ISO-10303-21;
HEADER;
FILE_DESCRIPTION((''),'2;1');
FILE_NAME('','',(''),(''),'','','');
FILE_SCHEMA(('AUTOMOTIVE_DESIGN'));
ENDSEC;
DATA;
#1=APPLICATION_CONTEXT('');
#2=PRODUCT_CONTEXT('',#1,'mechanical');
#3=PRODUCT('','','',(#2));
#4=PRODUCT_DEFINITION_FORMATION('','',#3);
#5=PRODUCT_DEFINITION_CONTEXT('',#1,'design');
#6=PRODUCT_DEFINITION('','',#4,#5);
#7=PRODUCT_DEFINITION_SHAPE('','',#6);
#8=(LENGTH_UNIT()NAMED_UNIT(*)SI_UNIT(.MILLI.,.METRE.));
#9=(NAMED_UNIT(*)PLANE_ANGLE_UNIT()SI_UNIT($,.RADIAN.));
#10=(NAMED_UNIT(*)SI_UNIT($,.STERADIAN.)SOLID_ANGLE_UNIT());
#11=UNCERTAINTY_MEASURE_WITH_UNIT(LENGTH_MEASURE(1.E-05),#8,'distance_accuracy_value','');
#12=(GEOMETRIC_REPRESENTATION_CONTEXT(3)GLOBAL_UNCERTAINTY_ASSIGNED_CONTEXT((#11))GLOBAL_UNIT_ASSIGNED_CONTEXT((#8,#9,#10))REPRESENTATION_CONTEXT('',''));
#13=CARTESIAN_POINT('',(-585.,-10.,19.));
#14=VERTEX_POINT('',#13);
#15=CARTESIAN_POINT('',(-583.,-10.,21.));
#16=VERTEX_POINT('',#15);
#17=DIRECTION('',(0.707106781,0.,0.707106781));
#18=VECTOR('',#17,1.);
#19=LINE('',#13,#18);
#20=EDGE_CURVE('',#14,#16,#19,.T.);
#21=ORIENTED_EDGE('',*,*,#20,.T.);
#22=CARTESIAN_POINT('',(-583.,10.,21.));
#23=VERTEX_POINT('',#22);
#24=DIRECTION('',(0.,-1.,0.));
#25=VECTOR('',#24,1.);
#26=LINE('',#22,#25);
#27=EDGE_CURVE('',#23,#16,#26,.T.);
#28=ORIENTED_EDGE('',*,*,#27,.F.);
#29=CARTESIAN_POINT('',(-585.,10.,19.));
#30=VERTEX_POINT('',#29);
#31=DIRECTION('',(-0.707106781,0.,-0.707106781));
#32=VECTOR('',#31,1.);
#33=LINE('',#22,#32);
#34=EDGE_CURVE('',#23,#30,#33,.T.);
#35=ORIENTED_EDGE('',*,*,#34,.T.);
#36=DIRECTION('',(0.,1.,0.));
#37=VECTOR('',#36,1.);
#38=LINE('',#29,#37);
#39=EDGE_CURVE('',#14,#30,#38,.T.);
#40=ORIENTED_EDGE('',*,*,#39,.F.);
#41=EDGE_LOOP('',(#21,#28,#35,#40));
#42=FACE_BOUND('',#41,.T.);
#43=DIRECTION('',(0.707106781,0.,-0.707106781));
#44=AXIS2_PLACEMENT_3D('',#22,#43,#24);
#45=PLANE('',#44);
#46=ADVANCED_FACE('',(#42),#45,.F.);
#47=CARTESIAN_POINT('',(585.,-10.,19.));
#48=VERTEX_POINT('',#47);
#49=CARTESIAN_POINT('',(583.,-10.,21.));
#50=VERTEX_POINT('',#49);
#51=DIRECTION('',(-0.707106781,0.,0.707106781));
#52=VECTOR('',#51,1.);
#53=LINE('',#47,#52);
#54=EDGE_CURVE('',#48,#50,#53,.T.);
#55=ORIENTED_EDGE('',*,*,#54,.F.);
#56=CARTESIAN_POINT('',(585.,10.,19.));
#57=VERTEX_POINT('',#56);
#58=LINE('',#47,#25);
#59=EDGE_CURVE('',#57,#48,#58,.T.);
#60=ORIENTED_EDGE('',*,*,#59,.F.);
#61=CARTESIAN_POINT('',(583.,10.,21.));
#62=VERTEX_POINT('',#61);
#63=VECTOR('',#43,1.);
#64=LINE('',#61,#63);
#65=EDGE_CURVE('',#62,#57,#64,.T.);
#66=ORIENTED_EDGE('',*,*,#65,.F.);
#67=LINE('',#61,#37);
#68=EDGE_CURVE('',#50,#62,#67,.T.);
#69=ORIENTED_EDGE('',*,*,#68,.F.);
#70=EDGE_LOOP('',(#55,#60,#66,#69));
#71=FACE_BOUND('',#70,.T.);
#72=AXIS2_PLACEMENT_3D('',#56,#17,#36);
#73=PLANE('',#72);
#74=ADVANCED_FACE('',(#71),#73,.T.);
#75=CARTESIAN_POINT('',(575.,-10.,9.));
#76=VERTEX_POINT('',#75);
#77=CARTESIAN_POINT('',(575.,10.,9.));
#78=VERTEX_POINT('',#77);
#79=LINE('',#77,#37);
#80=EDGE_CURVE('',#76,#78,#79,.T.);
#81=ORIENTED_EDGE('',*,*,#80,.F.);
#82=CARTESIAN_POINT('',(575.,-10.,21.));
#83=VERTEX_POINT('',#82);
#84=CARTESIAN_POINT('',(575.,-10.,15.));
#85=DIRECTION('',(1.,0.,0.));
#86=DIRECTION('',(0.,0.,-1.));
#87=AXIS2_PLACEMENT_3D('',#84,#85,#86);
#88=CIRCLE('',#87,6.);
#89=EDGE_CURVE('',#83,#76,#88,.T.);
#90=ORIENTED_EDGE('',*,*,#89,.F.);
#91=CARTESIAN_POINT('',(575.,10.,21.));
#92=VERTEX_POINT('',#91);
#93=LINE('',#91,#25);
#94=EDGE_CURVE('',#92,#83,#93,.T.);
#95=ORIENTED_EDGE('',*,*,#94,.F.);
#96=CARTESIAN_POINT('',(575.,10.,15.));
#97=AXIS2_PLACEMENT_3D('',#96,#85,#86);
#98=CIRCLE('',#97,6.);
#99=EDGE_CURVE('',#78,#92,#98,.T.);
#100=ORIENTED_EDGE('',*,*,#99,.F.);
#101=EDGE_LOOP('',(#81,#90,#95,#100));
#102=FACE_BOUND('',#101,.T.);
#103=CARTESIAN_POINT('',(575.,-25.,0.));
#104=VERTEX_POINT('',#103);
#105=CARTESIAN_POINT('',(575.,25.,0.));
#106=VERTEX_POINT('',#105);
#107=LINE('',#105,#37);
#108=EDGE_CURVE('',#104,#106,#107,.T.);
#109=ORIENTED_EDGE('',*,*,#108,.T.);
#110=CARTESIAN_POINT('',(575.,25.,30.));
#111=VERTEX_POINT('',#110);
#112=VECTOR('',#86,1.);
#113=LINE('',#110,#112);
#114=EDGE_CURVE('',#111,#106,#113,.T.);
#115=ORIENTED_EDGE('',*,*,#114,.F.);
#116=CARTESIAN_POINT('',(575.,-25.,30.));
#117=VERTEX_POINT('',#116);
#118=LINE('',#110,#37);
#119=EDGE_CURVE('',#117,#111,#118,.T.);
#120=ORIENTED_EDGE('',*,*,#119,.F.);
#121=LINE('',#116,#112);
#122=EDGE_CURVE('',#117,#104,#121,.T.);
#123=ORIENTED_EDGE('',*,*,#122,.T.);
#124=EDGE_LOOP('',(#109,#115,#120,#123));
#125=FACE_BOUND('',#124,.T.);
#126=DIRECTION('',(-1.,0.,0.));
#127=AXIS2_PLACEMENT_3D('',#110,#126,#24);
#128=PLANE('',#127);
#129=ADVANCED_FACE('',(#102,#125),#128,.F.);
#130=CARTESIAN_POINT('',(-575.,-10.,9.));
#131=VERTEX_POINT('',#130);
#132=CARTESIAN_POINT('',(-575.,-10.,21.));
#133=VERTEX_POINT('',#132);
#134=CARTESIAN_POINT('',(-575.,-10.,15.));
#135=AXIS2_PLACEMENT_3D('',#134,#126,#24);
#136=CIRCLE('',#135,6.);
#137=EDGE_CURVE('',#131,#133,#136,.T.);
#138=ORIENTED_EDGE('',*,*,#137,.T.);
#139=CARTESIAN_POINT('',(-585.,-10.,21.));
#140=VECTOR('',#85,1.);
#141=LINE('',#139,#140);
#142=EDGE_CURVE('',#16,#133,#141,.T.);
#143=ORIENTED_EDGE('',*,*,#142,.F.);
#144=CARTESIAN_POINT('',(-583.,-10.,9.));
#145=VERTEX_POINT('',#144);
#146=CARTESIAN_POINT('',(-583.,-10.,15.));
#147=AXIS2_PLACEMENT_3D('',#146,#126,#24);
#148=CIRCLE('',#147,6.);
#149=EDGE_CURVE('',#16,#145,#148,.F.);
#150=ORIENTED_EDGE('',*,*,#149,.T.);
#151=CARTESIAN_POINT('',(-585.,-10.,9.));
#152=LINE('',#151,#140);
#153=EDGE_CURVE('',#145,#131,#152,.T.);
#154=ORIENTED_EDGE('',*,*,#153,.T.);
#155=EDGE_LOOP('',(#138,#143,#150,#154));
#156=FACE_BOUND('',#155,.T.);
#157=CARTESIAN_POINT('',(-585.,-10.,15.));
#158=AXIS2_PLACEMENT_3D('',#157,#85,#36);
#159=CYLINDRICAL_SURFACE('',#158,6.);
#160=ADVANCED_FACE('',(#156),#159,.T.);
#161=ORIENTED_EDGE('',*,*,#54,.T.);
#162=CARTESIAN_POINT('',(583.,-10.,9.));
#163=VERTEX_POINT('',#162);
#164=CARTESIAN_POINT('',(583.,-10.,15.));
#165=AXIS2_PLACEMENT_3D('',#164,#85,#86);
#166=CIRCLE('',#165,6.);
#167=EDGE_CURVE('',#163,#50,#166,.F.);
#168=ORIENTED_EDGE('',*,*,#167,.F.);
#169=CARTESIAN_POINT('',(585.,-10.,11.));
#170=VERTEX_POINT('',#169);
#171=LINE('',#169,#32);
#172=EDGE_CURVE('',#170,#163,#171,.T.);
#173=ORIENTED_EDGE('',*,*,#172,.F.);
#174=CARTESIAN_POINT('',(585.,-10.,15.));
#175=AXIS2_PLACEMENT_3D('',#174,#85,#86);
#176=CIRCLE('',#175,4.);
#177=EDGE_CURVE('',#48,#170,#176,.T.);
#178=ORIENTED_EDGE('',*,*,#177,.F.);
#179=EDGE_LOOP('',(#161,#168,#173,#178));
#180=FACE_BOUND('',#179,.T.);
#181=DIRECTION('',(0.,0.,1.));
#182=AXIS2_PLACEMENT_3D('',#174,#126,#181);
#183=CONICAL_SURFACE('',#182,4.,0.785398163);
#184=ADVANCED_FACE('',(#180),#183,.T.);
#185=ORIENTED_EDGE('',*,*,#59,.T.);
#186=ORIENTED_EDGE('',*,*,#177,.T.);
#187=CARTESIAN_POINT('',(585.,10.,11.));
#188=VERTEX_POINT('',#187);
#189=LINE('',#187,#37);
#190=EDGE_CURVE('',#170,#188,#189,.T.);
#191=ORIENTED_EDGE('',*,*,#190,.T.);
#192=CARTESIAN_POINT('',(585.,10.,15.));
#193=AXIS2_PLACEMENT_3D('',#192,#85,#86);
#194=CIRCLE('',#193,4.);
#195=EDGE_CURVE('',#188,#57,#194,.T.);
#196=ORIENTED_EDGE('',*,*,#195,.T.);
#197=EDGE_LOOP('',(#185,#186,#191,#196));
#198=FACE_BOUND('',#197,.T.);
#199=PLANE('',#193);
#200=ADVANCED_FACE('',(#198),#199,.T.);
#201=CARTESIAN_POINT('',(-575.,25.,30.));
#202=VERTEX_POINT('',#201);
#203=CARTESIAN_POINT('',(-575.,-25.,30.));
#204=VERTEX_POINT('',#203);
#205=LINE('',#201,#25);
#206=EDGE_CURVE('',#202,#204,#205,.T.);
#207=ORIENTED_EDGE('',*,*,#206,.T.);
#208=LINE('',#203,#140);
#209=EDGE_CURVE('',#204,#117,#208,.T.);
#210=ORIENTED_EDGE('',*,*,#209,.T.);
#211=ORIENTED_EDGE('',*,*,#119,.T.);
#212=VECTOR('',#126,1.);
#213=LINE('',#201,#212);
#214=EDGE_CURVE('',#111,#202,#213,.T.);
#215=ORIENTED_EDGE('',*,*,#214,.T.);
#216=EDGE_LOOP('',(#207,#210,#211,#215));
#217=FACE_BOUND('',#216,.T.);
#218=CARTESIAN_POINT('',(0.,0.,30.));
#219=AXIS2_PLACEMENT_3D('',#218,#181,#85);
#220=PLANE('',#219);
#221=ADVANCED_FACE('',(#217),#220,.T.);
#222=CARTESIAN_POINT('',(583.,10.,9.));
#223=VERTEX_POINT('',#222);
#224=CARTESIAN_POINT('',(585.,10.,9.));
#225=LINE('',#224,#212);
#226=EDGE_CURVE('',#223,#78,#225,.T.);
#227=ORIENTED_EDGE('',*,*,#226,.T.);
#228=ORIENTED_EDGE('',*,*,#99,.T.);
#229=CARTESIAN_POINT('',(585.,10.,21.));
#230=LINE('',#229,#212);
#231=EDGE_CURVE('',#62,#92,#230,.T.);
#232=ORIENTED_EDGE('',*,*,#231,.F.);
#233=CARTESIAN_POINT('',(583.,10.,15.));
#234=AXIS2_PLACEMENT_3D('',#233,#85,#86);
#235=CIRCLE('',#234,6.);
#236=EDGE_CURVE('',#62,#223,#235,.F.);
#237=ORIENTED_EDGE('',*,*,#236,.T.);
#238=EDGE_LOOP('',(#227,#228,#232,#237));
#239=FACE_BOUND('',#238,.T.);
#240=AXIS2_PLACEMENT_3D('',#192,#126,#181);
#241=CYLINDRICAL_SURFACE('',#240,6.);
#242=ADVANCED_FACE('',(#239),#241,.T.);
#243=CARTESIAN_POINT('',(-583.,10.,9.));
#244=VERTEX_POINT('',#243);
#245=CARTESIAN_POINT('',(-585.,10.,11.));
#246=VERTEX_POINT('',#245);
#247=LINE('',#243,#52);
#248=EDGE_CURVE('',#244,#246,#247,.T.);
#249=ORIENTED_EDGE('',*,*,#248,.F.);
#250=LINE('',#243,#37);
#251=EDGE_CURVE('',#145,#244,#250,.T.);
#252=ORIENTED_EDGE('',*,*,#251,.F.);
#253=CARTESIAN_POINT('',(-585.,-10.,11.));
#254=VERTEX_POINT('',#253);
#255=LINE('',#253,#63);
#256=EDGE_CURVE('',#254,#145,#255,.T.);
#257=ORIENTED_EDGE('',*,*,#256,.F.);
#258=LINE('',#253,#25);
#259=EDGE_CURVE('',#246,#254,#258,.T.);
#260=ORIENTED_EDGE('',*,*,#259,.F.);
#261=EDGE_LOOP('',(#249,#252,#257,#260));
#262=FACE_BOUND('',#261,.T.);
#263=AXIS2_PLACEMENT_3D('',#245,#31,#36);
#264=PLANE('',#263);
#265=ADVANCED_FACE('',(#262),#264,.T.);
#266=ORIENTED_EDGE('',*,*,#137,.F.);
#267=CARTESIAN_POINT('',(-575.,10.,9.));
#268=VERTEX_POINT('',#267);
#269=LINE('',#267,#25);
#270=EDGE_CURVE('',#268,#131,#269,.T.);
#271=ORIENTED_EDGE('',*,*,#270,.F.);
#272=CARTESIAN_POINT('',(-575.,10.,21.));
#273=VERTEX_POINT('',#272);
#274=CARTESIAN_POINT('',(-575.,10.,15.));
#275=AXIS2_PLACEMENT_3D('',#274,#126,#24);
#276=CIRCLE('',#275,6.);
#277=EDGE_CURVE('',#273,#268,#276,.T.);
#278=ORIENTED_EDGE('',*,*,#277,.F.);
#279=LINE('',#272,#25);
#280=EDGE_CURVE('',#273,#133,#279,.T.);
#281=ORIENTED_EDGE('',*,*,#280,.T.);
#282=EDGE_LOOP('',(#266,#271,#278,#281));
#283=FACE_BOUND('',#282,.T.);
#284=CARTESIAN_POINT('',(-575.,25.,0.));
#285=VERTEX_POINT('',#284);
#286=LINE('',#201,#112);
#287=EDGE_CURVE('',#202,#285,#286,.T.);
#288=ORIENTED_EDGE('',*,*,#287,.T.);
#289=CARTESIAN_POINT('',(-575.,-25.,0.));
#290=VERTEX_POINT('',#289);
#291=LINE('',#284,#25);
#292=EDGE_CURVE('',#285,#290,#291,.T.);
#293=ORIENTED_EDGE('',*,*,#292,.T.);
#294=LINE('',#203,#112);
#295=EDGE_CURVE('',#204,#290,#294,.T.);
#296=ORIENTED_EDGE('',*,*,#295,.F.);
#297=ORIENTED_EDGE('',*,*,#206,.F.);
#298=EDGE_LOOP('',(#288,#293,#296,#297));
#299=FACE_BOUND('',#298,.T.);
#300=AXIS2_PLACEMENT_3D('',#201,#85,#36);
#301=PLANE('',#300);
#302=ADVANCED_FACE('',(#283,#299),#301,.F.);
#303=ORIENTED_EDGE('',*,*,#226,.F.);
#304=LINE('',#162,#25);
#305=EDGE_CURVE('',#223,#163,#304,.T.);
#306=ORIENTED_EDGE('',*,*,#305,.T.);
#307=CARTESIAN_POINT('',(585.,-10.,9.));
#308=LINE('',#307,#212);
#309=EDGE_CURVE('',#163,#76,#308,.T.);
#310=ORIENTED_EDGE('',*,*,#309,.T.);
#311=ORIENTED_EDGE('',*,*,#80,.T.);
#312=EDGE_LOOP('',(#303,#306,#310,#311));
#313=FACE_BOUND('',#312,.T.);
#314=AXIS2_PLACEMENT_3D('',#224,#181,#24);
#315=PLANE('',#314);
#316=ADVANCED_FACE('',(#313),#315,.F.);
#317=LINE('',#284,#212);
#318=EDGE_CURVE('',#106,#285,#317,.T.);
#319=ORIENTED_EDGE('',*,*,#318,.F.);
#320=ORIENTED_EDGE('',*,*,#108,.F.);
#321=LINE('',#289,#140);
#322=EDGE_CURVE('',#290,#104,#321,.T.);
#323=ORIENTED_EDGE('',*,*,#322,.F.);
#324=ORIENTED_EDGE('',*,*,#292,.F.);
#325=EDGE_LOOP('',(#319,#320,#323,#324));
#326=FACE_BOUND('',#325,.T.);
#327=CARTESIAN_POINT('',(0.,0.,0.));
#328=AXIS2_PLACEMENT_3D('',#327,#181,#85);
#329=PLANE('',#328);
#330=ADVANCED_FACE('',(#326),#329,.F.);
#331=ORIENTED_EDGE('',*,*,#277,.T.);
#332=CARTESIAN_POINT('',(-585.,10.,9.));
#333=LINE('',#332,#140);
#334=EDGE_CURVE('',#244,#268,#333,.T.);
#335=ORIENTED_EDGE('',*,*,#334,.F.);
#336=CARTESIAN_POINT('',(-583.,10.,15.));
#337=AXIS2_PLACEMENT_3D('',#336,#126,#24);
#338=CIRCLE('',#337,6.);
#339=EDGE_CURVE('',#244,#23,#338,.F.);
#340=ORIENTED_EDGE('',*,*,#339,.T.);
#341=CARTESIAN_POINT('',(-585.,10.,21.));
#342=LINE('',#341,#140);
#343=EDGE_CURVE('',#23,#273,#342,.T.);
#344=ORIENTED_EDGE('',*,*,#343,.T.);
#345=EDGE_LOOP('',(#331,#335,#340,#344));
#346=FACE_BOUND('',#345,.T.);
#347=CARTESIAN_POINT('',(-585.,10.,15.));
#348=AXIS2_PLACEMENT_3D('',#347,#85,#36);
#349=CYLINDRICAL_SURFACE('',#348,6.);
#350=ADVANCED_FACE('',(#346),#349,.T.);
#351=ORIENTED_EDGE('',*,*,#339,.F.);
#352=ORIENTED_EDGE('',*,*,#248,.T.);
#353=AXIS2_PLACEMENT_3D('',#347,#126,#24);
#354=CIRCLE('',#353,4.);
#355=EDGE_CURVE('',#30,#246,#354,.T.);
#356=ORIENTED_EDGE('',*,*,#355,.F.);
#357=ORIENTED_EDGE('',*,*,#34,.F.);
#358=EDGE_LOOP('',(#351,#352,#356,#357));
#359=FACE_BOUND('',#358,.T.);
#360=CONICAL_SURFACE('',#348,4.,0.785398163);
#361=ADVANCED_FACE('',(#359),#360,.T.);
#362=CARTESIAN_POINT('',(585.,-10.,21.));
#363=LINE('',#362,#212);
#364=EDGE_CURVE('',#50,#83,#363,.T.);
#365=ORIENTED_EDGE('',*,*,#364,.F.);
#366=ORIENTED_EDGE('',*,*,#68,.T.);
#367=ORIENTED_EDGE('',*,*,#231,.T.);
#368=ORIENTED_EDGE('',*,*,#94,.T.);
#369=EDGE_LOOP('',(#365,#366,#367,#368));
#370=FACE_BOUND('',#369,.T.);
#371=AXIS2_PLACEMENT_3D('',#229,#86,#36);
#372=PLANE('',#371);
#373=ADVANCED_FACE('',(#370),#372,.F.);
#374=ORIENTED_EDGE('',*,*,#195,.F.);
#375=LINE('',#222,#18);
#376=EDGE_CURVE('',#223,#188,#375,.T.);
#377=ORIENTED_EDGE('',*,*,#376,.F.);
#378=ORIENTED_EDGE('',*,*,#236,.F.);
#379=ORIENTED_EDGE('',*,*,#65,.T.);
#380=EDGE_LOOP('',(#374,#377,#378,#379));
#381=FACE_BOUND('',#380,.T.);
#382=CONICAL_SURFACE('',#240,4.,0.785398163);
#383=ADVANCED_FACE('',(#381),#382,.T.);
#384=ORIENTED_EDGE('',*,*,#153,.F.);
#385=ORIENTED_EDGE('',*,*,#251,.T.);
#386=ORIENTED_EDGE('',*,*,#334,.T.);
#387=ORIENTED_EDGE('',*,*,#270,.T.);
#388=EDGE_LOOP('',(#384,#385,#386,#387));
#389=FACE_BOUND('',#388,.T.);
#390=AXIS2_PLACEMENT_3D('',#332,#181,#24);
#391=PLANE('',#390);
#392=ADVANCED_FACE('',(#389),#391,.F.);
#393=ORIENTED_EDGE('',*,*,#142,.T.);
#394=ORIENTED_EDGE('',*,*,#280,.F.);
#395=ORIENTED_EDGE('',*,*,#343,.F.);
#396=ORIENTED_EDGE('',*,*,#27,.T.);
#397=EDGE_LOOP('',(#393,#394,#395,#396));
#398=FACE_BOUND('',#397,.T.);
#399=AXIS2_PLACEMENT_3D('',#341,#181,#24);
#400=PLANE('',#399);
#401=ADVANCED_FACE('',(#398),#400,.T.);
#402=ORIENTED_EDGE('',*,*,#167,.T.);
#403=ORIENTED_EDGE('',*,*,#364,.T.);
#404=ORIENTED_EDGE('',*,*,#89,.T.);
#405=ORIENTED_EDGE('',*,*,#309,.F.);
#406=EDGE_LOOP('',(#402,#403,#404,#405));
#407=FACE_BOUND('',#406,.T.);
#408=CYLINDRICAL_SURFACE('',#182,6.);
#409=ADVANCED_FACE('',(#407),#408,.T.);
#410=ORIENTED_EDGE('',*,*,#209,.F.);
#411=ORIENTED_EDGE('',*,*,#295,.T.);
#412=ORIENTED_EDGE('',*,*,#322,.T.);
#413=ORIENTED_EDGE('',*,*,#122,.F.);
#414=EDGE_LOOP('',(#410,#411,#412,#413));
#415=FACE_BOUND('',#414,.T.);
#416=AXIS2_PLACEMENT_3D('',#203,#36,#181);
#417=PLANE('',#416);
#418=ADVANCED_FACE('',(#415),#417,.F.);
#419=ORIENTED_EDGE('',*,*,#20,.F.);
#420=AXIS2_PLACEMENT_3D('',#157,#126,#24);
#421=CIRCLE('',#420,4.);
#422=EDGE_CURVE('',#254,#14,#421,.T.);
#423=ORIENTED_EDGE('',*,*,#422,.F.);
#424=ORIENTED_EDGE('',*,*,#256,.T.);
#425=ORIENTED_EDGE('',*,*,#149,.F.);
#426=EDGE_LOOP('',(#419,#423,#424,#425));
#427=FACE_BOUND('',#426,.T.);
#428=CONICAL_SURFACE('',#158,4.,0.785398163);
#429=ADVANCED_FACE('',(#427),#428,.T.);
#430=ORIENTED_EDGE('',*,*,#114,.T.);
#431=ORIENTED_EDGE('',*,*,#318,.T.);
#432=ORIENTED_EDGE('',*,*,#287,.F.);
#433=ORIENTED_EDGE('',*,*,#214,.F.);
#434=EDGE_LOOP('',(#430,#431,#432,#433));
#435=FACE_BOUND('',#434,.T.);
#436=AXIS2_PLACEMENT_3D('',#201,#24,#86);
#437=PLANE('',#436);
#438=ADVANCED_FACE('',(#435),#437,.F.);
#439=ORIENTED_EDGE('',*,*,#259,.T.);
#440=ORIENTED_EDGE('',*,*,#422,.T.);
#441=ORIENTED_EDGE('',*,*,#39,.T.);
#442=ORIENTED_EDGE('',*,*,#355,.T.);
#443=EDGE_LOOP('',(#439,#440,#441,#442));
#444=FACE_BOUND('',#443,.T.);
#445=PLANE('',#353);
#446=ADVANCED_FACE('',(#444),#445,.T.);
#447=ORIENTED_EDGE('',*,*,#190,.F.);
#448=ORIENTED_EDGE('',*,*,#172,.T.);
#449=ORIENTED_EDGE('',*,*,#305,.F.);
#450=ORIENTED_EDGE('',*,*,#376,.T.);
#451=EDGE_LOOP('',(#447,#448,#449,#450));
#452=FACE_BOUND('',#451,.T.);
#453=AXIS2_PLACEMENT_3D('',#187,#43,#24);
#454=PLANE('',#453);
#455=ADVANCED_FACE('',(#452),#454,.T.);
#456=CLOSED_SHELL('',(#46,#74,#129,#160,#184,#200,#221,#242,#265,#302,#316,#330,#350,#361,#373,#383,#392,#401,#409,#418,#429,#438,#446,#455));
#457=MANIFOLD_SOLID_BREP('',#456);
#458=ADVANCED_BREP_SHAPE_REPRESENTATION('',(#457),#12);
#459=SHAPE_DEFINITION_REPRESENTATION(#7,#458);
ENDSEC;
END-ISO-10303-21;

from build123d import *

# Parameters (mm, degrees)
ESQUISSE1_W        = 1150
ESQUISSE1_H        = 50
BOSS_EXTRU_1_DEPTH = 30
BOSS_EXTRU_2_DEPTH = 10
CHANFREIN1_SIZE    = 2
BOSS_EXTRU_3_DEPTH = 10
CHANFREIN2_SIZE    = 2


with BuildPart() as part:
    # Esquisse1 → Boss.-Extru.1 (new body)
    with BuildSketch(Plane.XY):
        Rectangle(ESQUISSE1_W, ESQUISSE1_H)
    extrude(amount=BOSS_EXTRU_1_DEPTH)

    # Esquisse2 → Boss.-Extru.2 (add)
    with BuildSketch(Plane(origin=(575, 0, 0), x_dir=(0, 0, -1), z_dir=(1, 0, 0))):
        with BuildLine():
            Line((-9, 10), (-9, -10))
            ThreePointArc((-9, -10), (-15, -16), (-21, -10))
            Line((-21, -10), (-21, 10))
            ThreePointArc((-21, 10), (-15, 16), (-9, 10))
        make_face()
    extrude(amount=BOSS_EXTRU_2_DEPTH)

    # Chanfrein1
    chanfrein1_edges = [part.edges().sort_by_distance(p)[0] for p in [
        (585, 16, 15),
        (585, 0, 21),
        (585, -16, 15),
        (585, 0, 9),
    ]]
    chamfer(chanfrein1_edges, length=CHANFREIN1_SIZE)

    # Esquisse3 → Boss.-Extru.3 (add)
    with BuildSketch(Plane.ZY.offset(575)):
        with BuildLine():
            Line((21, 10), (21, -10))
            ThreePointArc((21, -10), (15, -16), (9, -10))
            Line((9, -10), (9, 10))
            ThreePointArc((9, 10), (15, 16), (21, 10))
        make_face()
    extrude(amount=BOSS_EXTRU_3_DEPTH)

    # Chanfrein2
    chanfrein2_edges = [part.edges().sort_by_distance(p)[0] for p in [
        (-585, 0, 21),
        (-585, 16, 15),
        (-585, 0, 9),
        (-585, -16, 15),
    ]]
    chamfer(chanfrein2_edges, length=CHANFREIN2_SIZE)


solid = part.part
